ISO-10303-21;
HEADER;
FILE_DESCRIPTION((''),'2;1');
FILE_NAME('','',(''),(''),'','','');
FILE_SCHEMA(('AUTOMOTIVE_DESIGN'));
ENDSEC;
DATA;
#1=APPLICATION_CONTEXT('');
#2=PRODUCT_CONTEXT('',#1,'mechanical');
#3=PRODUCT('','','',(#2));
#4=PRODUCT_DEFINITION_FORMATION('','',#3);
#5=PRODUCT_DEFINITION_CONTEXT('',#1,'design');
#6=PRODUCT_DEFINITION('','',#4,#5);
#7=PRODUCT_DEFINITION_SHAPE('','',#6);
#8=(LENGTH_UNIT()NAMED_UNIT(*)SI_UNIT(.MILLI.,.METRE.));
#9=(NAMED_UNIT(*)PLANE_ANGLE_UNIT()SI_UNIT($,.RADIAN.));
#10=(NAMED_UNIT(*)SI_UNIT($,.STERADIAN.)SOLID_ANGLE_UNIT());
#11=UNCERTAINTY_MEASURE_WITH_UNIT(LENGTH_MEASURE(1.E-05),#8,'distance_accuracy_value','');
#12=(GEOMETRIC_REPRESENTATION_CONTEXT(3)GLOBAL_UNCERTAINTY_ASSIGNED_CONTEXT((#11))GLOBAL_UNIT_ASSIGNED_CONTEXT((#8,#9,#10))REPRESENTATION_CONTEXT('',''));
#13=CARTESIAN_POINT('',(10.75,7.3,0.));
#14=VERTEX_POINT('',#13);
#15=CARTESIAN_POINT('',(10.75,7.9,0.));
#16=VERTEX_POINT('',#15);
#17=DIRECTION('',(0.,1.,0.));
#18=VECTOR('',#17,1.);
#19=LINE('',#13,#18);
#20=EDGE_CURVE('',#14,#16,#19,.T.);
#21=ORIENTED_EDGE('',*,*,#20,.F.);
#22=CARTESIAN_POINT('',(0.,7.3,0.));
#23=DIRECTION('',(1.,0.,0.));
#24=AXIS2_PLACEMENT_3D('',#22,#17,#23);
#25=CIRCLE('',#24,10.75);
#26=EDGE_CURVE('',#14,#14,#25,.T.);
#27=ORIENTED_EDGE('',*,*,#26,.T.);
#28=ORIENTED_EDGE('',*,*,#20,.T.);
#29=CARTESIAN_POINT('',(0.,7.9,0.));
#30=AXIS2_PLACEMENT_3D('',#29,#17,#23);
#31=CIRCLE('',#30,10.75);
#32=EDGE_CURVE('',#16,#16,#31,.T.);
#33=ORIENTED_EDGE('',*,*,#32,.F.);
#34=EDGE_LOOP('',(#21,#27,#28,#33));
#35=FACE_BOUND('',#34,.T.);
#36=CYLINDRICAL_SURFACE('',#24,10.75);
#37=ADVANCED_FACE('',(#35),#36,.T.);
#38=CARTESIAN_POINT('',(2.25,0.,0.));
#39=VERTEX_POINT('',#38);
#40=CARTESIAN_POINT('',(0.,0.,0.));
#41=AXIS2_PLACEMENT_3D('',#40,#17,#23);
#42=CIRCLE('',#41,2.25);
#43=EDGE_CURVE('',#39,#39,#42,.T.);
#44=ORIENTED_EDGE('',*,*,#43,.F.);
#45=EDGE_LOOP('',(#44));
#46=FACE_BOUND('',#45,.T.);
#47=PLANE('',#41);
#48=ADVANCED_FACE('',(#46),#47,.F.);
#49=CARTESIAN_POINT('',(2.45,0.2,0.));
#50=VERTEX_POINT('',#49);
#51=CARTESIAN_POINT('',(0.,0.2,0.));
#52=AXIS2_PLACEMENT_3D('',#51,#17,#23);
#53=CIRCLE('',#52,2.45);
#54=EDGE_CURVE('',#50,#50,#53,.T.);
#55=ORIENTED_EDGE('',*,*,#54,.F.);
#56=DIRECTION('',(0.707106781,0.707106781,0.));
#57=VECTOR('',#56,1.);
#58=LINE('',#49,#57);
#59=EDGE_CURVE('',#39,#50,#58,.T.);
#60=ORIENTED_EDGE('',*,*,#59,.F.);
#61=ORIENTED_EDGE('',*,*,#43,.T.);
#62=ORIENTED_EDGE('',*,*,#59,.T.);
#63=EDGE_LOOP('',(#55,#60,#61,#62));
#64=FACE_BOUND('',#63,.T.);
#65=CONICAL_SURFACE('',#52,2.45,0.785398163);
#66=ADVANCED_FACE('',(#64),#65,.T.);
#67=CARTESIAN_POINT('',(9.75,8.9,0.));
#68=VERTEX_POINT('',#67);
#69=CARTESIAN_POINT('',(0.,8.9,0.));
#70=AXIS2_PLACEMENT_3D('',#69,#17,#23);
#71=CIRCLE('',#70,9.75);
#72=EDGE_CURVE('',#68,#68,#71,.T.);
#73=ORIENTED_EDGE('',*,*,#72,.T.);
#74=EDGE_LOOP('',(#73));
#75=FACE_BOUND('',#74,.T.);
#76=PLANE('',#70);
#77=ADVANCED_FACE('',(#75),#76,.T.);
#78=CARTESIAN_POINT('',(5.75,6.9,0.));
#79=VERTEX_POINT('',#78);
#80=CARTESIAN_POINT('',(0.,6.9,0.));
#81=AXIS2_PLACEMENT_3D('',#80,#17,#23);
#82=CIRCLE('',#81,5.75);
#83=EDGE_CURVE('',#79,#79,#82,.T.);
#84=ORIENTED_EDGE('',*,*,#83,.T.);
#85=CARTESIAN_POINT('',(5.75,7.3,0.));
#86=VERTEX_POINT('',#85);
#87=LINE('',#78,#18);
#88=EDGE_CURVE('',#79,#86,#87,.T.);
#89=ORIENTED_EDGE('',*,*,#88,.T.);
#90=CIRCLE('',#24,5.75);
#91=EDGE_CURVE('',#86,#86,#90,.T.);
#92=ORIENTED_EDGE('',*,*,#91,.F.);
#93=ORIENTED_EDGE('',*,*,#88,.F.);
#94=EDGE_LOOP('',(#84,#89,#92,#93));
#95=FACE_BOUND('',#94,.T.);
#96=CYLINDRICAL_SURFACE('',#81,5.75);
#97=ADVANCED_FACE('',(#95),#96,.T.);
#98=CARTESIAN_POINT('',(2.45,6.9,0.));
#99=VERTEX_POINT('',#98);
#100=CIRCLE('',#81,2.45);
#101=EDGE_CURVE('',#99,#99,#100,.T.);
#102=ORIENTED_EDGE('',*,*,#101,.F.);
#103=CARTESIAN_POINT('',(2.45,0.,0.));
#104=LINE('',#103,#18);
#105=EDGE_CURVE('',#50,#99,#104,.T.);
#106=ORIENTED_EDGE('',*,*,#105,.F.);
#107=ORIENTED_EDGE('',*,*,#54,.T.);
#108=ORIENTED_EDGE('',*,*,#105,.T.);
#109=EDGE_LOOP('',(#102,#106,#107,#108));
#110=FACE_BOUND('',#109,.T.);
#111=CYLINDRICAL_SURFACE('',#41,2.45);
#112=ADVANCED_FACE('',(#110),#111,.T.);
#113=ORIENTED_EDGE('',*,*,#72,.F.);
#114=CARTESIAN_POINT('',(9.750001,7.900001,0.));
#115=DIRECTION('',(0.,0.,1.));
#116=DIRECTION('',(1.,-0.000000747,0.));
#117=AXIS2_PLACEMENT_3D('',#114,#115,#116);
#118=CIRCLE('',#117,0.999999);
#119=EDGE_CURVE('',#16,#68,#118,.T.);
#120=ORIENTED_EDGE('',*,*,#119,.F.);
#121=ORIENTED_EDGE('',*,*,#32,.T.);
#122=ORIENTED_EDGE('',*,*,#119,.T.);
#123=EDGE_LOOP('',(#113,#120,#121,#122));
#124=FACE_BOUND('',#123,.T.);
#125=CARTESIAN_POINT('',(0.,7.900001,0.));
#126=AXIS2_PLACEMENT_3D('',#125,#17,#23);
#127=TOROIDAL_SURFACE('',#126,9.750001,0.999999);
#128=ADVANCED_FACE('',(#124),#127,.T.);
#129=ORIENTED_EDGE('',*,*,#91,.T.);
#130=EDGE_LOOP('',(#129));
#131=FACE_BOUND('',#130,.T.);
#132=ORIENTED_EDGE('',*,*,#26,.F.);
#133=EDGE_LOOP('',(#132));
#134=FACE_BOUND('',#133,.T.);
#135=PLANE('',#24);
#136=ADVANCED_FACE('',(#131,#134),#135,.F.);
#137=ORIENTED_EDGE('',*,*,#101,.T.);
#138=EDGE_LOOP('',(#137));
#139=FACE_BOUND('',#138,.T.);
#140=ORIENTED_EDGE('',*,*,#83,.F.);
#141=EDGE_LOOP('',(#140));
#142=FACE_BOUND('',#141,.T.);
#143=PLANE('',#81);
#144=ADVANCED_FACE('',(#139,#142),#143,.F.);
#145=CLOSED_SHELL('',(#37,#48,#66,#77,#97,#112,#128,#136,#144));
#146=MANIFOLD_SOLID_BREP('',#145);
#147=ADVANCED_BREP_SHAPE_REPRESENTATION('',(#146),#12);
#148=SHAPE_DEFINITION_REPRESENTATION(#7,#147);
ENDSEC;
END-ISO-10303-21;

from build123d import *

# Parameters (mm, degrees)
F2_SIZE = 0.2


with BuildPart() as f1:
    # F0 (on Top) → F1 (revolve)
    with BuildSketch(Plane.XY):
        with BuildLine():
            Line((0, 8.9), (0, 0))
            Line((0, 0), (2.45, 0))
            Line((2.45, 0), (2.45, 6.9))
            Line((2.45, 6.9), (5.75, 6.9))
            Line((5.75, 6.9), (5.75, 7.3))
            Line((5.75, 7.3), (10.75, 7.3))
            Line((10.75, 7.3), (10.75, 7.9))
            ThreePointArc((10.75, 7.9), (10.457107, 8.607107), (9.75, 8.9))
            Line((9.75, 8.9), (0, 8.9))
        make_face()
    revolve(axis=Axis((0, 4.45, 0), (0, 1, 0)))

    # F2
    f2_edges = [f1.edges().sort_by_distance(p)[0] for p in [
        (-2.45, 0, 0),
    ]]
    chamfer(f2_edges, length=F2_SIZE)


solid = f1.part
